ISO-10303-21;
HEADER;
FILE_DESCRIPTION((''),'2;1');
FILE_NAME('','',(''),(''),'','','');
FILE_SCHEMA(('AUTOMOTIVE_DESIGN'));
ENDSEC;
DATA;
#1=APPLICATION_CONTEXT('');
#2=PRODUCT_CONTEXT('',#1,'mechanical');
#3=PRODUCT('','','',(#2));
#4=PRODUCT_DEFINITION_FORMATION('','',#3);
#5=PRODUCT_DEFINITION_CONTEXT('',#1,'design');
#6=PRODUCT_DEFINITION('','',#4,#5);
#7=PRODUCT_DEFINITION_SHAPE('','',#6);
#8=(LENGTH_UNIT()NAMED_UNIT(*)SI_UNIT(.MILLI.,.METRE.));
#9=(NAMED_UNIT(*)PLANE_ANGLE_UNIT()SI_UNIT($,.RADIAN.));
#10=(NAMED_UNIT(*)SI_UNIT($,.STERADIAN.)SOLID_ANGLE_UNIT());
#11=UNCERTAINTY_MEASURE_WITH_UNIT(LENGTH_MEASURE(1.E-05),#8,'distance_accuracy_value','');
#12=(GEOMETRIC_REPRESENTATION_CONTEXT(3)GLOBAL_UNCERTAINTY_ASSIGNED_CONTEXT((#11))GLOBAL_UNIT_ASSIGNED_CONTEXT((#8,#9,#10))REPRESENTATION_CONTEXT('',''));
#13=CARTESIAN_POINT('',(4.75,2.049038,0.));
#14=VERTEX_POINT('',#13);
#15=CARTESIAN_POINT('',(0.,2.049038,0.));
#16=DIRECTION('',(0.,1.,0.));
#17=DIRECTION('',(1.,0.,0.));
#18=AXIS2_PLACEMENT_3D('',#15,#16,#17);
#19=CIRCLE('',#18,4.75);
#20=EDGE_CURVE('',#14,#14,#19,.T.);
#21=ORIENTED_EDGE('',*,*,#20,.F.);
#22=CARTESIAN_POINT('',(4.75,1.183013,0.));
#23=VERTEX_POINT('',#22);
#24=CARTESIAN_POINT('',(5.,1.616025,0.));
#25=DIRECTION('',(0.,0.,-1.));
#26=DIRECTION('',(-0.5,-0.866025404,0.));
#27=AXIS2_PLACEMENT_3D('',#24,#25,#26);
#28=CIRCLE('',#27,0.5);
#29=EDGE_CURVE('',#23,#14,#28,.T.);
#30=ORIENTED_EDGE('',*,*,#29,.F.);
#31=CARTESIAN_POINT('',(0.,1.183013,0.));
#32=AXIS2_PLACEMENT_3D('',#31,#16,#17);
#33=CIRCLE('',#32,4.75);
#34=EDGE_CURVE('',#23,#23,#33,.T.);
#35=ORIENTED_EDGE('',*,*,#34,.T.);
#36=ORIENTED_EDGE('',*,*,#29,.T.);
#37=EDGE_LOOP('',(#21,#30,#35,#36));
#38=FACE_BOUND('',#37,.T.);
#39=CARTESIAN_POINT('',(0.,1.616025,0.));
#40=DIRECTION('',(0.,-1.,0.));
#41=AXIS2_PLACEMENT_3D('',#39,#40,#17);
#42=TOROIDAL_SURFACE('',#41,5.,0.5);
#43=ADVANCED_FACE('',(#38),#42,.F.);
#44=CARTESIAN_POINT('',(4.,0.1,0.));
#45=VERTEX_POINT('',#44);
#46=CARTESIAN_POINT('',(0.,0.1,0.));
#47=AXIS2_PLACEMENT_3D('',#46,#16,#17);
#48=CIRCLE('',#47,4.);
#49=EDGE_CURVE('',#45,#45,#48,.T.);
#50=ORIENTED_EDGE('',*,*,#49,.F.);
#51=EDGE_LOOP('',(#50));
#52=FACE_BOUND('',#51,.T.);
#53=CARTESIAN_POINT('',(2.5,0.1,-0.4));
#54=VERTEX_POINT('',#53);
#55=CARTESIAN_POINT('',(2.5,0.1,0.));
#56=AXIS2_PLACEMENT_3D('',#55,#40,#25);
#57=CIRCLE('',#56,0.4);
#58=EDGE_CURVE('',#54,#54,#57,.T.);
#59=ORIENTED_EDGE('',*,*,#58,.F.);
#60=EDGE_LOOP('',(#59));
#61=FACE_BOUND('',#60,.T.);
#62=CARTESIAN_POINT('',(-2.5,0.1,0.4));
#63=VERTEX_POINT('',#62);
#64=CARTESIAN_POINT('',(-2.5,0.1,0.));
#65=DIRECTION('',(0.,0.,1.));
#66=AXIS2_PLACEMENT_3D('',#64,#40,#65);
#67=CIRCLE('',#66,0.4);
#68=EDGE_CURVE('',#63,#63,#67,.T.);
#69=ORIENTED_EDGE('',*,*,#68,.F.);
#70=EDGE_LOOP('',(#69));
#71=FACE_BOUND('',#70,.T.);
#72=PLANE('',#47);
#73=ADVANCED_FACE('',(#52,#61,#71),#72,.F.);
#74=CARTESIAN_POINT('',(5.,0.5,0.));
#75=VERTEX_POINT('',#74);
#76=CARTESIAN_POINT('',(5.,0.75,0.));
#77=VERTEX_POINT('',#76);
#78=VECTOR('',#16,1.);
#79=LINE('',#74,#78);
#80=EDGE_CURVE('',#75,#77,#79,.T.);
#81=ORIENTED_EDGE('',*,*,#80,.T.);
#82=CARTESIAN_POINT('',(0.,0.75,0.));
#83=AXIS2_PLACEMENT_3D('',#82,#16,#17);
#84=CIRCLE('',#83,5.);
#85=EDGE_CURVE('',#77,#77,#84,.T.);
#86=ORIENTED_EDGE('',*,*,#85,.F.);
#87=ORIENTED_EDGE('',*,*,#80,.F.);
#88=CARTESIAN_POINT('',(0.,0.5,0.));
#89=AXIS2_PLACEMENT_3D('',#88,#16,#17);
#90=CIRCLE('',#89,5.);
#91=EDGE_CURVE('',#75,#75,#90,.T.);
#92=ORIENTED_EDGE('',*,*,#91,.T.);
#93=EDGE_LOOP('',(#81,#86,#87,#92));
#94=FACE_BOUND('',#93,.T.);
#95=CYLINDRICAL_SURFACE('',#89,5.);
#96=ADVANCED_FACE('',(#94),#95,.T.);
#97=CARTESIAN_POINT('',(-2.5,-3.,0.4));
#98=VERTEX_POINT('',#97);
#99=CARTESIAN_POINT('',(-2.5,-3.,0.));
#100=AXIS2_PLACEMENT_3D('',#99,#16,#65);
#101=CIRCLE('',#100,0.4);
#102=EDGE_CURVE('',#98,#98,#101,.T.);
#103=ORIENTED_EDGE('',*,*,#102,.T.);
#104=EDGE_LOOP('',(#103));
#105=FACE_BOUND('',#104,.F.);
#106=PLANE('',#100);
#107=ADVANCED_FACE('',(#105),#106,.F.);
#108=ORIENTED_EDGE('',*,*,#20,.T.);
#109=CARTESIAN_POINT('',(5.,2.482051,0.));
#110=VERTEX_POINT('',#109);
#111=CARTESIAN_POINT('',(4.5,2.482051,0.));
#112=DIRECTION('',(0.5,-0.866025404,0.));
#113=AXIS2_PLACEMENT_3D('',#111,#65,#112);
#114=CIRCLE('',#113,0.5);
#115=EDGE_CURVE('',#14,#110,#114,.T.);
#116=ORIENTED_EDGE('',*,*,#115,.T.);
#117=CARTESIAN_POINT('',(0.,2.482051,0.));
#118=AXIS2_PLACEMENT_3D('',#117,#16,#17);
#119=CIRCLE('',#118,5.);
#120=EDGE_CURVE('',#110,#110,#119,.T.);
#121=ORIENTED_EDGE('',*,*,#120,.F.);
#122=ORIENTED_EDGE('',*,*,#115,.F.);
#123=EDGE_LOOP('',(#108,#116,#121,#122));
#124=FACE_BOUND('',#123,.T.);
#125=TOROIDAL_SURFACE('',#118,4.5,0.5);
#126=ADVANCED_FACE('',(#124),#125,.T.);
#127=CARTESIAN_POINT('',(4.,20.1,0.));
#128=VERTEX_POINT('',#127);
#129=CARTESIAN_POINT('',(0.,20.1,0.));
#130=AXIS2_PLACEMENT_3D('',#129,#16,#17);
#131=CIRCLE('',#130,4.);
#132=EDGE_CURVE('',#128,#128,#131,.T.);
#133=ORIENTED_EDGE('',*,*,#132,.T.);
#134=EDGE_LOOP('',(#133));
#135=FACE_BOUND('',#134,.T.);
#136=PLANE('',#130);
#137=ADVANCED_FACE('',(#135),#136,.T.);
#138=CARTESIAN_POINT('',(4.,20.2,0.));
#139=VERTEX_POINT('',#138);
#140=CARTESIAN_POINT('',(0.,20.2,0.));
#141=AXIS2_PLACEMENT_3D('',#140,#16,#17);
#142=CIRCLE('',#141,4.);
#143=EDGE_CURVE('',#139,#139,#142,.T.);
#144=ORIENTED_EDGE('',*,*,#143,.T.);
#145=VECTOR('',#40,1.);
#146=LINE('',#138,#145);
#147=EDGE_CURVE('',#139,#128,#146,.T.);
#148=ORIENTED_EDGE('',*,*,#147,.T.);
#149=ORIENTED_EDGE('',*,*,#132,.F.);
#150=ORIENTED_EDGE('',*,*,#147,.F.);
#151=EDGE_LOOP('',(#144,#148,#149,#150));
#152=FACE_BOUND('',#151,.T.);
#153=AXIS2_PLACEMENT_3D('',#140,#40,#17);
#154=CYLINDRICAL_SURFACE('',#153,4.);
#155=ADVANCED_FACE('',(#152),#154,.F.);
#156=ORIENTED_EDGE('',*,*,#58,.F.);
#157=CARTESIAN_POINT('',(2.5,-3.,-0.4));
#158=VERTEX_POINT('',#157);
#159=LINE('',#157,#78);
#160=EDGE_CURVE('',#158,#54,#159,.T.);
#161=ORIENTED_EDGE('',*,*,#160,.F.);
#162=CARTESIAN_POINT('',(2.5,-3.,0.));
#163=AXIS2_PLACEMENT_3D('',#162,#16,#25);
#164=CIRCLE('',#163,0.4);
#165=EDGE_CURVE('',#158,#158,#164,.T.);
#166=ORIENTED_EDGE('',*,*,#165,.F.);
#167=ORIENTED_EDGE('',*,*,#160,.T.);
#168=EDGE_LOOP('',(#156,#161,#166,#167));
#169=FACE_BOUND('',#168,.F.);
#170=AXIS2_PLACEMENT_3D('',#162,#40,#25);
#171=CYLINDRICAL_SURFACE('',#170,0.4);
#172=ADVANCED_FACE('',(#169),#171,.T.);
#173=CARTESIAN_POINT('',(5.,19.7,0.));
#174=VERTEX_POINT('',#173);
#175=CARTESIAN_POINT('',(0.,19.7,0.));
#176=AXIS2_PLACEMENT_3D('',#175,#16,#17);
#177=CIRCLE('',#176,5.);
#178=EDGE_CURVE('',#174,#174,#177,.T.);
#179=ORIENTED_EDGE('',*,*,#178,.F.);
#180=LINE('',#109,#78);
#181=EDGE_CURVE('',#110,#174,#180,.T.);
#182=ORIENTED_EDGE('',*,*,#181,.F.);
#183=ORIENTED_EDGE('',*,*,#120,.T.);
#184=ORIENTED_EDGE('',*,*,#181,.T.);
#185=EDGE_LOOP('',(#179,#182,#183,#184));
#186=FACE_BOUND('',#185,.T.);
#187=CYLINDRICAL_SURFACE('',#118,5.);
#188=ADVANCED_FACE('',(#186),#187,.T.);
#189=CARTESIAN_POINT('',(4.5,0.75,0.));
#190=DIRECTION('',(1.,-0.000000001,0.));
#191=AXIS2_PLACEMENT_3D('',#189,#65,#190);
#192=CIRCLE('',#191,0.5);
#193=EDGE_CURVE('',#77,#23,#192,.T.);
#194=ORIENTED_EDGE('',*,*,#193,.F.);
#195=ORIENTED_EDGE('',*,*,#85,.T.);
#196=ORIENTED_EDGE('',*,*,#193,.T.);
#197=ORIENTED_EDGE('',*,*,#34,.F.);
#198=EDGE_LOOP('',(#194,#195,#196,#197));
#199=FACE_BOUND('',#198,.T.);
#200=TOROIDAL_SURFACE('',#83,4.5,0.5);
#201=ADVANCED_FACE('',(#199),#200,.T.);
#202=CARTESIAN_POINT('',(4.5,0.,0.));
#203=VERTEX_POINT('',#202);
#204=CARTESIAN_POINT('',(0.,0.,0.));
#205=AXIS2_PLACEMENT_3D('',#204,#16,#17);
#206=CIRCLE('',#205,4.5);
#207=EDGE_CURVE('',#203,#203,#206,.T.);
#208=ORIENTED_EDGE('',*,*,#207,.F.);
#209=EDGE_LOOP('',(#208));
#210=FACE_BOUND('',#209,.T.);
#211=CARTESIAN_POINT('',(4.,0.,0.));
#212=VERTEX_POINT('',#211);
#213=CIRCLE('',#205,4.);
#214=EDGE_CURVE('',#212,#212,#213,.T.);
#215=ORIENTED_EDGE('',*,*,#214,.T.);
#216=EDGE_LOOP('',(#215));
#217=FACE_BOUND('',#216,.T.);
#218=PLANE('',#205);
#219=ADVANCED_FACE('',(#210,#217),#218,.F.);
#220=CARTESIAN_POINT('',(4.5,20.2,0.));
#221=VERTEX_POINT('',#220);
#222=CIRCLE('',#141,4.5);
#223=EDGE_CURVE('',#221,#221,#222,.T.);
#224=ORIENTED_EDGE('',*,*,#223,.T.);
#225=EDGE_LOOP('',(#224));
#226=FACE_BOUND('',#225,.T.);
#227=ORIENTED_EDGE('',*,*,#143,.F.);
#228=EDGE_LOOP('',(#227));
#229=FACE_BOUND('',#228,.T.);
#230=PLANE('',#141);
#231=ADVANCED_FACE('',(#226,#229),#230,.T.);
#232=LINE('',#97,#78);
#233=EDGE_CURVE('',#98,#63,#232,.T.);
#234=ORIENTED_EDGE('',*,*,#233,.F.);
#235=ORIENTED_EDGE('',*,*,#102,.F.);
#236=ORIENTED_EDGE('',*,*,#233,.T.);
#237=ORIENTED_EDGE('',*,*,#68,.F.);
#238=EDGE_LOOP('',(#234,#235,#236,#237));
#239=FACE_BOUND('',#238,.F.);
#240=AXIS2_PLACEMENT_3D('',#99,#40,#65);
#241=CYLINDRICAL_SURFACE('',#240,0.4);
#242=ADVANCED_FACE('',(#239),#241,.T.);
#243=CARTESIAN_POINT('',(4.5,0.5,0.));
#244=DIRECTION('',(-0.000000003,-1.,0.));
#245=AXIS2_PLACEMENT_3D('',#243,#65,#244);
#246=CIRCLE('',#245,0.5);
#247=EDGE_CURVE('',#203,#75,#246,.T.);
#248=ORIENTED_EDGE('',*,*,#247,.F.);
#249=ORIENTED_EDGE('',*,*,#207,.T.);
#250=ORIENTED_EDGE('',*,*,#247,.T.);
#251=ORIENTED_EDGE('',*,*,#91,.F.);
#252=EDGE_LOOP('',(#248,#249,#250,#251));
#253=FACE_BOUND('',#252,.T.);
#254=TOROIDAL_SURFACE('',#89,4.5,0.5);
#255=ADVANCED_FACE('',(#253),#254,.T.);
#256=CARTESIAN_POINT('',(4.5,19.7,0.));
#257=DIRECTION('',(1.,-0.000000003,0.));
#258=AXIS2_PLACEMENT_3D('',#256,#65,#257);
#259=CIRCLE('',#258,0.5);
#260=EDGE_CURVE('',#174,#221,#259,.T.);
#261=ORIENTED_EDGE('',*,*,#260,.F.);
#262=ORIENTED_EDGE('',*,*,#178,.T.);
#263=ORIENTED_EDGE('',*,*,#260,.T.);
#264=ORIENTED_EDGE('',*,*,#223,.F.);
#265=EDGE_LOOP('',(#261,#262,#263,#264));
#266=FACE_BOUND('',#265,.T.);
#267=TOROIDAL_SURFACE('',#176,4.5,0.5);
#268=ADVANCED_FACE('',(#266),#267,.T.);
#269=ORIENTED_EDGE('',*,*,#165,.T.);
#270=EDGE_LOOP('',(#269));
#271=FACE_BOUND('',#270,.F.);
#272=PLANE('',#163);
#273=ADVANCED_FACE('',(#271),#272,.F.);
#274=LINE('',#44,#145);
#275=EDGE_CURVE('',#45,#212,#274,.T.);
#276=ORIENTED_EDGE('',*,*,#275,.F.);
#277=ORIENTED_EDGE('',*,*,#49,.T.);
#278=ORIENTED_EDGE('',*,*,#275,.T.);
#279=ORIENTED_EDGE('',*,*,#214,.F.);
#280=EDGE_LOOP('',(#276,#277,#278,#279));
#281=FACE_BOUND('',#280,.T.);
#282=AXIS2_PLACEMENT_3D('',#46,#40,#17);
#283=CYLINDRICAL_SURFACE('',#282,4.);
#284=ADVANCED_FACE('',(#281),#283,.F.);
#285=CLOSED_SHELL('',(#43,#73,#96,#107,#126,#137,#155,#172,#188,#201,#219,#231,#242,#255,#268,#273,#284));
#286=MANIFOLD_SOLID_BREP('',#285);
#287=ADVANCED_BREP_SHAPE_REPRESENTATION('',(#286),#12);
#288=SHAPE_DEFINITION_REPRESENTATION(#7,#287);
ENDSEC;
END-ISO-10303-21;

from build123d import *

# Parameters (mm, degrees)
BOSS_EXTRUDE1_DEPTH        = 1
BOSS_EXTRUDE1_DEPTH_BACK   = 3
SKETCH1_R                  = 0.4
BOSS_EXTRUDE1_2_DEPTH      = 1
BOSS_EXTRUDE1_2_DEPTH_BACK = 3


with BuildPart() as part:
    # Sketch1 → Boss-Extrude1 (new, two sides: drawn at the far end of the back side and taken through both)
    with BuildSketch(Plane(origin=(0, 0, 0), x_dir=(1, 0, 0), z_dir=(0, 1, 0)).offset(-BOSS_EXTRUDE1_DEPTH_BACK)):
        with Locations(Location((-2.5, 0, 0), (0, 0, 270))):
            Circle(SKETCH1_R)
    extrude(amount=BOSS_EXTRUDE1_DEPTH + BOSS_EXTRUDE1_DEPTH_BACK)



with BuildPart() as body_2:
    # Sketch1 → Boss-Extrude1 2 (new, two sides: drawn at the far end of the back side and taken through both)
    with BuildSketch(Plane(origin=(0, 0, 0), x_dir=(1, 0, 0), z_dir=(0, 1, 0)).offset(-BOSS_EXTRUDE1_2_DEPTH_BACK)):
        with Locations(Location((2.5, 0, 0), (0, 0, 90))):
            Circle(SKETCH1_R)
    extrude(amount=BOSS_EXTRUDE1_2_DEPTH + BOSS_EXTRUDE1_2_DEPTH_BACK)


with BuildPart() as part_1:
    add(part.part)

    add(body_2.part)  # Revolve1 merges body 2
    # Sketch3 → Revolve1 (revolve)
    with BuildSketch(Plane.XY):
        with BuildLine():
            Line((5, 0.5), (5, 0.75))
            ThreePointArc((5, 0.75), (4.933012702, 1), (4.75, 1.183012702))
            ThreePointArc((4.75, 1.183012702), (4.5, 1.616025404), (4.75, 2.049038106))
            ThreePointArc((4.75, 2.049038106), (4.933012702, 2.232050808), (5, 2.482050808))
            Line((5, 2.482050808), (5, 19.7))
            ThreePointArc((5, 19.7), (4.853553391, 20.053553391), (4.5, 20.2))
            Line((4.5, 20.2), (4, 20.2))
            Line((4, 20.2), (4, 20.1))
            Line((4, 20.1), (0, 20.1))
            Line((0, 20.1), (0, 0.1))
            Line((0, 0.1), (4, 0.1))
            Line((4, 0.1), (4, 0))
            Line((4, 0), (4.5, 0))
            ThreePointArc((4.5, 0), (4.853553391, 0.146446609), (5, 0.5))
        make_face()
    revolve(axis=Axis((0, 0.1, 0), (0, 1, 0)))


solid = part_1.part
